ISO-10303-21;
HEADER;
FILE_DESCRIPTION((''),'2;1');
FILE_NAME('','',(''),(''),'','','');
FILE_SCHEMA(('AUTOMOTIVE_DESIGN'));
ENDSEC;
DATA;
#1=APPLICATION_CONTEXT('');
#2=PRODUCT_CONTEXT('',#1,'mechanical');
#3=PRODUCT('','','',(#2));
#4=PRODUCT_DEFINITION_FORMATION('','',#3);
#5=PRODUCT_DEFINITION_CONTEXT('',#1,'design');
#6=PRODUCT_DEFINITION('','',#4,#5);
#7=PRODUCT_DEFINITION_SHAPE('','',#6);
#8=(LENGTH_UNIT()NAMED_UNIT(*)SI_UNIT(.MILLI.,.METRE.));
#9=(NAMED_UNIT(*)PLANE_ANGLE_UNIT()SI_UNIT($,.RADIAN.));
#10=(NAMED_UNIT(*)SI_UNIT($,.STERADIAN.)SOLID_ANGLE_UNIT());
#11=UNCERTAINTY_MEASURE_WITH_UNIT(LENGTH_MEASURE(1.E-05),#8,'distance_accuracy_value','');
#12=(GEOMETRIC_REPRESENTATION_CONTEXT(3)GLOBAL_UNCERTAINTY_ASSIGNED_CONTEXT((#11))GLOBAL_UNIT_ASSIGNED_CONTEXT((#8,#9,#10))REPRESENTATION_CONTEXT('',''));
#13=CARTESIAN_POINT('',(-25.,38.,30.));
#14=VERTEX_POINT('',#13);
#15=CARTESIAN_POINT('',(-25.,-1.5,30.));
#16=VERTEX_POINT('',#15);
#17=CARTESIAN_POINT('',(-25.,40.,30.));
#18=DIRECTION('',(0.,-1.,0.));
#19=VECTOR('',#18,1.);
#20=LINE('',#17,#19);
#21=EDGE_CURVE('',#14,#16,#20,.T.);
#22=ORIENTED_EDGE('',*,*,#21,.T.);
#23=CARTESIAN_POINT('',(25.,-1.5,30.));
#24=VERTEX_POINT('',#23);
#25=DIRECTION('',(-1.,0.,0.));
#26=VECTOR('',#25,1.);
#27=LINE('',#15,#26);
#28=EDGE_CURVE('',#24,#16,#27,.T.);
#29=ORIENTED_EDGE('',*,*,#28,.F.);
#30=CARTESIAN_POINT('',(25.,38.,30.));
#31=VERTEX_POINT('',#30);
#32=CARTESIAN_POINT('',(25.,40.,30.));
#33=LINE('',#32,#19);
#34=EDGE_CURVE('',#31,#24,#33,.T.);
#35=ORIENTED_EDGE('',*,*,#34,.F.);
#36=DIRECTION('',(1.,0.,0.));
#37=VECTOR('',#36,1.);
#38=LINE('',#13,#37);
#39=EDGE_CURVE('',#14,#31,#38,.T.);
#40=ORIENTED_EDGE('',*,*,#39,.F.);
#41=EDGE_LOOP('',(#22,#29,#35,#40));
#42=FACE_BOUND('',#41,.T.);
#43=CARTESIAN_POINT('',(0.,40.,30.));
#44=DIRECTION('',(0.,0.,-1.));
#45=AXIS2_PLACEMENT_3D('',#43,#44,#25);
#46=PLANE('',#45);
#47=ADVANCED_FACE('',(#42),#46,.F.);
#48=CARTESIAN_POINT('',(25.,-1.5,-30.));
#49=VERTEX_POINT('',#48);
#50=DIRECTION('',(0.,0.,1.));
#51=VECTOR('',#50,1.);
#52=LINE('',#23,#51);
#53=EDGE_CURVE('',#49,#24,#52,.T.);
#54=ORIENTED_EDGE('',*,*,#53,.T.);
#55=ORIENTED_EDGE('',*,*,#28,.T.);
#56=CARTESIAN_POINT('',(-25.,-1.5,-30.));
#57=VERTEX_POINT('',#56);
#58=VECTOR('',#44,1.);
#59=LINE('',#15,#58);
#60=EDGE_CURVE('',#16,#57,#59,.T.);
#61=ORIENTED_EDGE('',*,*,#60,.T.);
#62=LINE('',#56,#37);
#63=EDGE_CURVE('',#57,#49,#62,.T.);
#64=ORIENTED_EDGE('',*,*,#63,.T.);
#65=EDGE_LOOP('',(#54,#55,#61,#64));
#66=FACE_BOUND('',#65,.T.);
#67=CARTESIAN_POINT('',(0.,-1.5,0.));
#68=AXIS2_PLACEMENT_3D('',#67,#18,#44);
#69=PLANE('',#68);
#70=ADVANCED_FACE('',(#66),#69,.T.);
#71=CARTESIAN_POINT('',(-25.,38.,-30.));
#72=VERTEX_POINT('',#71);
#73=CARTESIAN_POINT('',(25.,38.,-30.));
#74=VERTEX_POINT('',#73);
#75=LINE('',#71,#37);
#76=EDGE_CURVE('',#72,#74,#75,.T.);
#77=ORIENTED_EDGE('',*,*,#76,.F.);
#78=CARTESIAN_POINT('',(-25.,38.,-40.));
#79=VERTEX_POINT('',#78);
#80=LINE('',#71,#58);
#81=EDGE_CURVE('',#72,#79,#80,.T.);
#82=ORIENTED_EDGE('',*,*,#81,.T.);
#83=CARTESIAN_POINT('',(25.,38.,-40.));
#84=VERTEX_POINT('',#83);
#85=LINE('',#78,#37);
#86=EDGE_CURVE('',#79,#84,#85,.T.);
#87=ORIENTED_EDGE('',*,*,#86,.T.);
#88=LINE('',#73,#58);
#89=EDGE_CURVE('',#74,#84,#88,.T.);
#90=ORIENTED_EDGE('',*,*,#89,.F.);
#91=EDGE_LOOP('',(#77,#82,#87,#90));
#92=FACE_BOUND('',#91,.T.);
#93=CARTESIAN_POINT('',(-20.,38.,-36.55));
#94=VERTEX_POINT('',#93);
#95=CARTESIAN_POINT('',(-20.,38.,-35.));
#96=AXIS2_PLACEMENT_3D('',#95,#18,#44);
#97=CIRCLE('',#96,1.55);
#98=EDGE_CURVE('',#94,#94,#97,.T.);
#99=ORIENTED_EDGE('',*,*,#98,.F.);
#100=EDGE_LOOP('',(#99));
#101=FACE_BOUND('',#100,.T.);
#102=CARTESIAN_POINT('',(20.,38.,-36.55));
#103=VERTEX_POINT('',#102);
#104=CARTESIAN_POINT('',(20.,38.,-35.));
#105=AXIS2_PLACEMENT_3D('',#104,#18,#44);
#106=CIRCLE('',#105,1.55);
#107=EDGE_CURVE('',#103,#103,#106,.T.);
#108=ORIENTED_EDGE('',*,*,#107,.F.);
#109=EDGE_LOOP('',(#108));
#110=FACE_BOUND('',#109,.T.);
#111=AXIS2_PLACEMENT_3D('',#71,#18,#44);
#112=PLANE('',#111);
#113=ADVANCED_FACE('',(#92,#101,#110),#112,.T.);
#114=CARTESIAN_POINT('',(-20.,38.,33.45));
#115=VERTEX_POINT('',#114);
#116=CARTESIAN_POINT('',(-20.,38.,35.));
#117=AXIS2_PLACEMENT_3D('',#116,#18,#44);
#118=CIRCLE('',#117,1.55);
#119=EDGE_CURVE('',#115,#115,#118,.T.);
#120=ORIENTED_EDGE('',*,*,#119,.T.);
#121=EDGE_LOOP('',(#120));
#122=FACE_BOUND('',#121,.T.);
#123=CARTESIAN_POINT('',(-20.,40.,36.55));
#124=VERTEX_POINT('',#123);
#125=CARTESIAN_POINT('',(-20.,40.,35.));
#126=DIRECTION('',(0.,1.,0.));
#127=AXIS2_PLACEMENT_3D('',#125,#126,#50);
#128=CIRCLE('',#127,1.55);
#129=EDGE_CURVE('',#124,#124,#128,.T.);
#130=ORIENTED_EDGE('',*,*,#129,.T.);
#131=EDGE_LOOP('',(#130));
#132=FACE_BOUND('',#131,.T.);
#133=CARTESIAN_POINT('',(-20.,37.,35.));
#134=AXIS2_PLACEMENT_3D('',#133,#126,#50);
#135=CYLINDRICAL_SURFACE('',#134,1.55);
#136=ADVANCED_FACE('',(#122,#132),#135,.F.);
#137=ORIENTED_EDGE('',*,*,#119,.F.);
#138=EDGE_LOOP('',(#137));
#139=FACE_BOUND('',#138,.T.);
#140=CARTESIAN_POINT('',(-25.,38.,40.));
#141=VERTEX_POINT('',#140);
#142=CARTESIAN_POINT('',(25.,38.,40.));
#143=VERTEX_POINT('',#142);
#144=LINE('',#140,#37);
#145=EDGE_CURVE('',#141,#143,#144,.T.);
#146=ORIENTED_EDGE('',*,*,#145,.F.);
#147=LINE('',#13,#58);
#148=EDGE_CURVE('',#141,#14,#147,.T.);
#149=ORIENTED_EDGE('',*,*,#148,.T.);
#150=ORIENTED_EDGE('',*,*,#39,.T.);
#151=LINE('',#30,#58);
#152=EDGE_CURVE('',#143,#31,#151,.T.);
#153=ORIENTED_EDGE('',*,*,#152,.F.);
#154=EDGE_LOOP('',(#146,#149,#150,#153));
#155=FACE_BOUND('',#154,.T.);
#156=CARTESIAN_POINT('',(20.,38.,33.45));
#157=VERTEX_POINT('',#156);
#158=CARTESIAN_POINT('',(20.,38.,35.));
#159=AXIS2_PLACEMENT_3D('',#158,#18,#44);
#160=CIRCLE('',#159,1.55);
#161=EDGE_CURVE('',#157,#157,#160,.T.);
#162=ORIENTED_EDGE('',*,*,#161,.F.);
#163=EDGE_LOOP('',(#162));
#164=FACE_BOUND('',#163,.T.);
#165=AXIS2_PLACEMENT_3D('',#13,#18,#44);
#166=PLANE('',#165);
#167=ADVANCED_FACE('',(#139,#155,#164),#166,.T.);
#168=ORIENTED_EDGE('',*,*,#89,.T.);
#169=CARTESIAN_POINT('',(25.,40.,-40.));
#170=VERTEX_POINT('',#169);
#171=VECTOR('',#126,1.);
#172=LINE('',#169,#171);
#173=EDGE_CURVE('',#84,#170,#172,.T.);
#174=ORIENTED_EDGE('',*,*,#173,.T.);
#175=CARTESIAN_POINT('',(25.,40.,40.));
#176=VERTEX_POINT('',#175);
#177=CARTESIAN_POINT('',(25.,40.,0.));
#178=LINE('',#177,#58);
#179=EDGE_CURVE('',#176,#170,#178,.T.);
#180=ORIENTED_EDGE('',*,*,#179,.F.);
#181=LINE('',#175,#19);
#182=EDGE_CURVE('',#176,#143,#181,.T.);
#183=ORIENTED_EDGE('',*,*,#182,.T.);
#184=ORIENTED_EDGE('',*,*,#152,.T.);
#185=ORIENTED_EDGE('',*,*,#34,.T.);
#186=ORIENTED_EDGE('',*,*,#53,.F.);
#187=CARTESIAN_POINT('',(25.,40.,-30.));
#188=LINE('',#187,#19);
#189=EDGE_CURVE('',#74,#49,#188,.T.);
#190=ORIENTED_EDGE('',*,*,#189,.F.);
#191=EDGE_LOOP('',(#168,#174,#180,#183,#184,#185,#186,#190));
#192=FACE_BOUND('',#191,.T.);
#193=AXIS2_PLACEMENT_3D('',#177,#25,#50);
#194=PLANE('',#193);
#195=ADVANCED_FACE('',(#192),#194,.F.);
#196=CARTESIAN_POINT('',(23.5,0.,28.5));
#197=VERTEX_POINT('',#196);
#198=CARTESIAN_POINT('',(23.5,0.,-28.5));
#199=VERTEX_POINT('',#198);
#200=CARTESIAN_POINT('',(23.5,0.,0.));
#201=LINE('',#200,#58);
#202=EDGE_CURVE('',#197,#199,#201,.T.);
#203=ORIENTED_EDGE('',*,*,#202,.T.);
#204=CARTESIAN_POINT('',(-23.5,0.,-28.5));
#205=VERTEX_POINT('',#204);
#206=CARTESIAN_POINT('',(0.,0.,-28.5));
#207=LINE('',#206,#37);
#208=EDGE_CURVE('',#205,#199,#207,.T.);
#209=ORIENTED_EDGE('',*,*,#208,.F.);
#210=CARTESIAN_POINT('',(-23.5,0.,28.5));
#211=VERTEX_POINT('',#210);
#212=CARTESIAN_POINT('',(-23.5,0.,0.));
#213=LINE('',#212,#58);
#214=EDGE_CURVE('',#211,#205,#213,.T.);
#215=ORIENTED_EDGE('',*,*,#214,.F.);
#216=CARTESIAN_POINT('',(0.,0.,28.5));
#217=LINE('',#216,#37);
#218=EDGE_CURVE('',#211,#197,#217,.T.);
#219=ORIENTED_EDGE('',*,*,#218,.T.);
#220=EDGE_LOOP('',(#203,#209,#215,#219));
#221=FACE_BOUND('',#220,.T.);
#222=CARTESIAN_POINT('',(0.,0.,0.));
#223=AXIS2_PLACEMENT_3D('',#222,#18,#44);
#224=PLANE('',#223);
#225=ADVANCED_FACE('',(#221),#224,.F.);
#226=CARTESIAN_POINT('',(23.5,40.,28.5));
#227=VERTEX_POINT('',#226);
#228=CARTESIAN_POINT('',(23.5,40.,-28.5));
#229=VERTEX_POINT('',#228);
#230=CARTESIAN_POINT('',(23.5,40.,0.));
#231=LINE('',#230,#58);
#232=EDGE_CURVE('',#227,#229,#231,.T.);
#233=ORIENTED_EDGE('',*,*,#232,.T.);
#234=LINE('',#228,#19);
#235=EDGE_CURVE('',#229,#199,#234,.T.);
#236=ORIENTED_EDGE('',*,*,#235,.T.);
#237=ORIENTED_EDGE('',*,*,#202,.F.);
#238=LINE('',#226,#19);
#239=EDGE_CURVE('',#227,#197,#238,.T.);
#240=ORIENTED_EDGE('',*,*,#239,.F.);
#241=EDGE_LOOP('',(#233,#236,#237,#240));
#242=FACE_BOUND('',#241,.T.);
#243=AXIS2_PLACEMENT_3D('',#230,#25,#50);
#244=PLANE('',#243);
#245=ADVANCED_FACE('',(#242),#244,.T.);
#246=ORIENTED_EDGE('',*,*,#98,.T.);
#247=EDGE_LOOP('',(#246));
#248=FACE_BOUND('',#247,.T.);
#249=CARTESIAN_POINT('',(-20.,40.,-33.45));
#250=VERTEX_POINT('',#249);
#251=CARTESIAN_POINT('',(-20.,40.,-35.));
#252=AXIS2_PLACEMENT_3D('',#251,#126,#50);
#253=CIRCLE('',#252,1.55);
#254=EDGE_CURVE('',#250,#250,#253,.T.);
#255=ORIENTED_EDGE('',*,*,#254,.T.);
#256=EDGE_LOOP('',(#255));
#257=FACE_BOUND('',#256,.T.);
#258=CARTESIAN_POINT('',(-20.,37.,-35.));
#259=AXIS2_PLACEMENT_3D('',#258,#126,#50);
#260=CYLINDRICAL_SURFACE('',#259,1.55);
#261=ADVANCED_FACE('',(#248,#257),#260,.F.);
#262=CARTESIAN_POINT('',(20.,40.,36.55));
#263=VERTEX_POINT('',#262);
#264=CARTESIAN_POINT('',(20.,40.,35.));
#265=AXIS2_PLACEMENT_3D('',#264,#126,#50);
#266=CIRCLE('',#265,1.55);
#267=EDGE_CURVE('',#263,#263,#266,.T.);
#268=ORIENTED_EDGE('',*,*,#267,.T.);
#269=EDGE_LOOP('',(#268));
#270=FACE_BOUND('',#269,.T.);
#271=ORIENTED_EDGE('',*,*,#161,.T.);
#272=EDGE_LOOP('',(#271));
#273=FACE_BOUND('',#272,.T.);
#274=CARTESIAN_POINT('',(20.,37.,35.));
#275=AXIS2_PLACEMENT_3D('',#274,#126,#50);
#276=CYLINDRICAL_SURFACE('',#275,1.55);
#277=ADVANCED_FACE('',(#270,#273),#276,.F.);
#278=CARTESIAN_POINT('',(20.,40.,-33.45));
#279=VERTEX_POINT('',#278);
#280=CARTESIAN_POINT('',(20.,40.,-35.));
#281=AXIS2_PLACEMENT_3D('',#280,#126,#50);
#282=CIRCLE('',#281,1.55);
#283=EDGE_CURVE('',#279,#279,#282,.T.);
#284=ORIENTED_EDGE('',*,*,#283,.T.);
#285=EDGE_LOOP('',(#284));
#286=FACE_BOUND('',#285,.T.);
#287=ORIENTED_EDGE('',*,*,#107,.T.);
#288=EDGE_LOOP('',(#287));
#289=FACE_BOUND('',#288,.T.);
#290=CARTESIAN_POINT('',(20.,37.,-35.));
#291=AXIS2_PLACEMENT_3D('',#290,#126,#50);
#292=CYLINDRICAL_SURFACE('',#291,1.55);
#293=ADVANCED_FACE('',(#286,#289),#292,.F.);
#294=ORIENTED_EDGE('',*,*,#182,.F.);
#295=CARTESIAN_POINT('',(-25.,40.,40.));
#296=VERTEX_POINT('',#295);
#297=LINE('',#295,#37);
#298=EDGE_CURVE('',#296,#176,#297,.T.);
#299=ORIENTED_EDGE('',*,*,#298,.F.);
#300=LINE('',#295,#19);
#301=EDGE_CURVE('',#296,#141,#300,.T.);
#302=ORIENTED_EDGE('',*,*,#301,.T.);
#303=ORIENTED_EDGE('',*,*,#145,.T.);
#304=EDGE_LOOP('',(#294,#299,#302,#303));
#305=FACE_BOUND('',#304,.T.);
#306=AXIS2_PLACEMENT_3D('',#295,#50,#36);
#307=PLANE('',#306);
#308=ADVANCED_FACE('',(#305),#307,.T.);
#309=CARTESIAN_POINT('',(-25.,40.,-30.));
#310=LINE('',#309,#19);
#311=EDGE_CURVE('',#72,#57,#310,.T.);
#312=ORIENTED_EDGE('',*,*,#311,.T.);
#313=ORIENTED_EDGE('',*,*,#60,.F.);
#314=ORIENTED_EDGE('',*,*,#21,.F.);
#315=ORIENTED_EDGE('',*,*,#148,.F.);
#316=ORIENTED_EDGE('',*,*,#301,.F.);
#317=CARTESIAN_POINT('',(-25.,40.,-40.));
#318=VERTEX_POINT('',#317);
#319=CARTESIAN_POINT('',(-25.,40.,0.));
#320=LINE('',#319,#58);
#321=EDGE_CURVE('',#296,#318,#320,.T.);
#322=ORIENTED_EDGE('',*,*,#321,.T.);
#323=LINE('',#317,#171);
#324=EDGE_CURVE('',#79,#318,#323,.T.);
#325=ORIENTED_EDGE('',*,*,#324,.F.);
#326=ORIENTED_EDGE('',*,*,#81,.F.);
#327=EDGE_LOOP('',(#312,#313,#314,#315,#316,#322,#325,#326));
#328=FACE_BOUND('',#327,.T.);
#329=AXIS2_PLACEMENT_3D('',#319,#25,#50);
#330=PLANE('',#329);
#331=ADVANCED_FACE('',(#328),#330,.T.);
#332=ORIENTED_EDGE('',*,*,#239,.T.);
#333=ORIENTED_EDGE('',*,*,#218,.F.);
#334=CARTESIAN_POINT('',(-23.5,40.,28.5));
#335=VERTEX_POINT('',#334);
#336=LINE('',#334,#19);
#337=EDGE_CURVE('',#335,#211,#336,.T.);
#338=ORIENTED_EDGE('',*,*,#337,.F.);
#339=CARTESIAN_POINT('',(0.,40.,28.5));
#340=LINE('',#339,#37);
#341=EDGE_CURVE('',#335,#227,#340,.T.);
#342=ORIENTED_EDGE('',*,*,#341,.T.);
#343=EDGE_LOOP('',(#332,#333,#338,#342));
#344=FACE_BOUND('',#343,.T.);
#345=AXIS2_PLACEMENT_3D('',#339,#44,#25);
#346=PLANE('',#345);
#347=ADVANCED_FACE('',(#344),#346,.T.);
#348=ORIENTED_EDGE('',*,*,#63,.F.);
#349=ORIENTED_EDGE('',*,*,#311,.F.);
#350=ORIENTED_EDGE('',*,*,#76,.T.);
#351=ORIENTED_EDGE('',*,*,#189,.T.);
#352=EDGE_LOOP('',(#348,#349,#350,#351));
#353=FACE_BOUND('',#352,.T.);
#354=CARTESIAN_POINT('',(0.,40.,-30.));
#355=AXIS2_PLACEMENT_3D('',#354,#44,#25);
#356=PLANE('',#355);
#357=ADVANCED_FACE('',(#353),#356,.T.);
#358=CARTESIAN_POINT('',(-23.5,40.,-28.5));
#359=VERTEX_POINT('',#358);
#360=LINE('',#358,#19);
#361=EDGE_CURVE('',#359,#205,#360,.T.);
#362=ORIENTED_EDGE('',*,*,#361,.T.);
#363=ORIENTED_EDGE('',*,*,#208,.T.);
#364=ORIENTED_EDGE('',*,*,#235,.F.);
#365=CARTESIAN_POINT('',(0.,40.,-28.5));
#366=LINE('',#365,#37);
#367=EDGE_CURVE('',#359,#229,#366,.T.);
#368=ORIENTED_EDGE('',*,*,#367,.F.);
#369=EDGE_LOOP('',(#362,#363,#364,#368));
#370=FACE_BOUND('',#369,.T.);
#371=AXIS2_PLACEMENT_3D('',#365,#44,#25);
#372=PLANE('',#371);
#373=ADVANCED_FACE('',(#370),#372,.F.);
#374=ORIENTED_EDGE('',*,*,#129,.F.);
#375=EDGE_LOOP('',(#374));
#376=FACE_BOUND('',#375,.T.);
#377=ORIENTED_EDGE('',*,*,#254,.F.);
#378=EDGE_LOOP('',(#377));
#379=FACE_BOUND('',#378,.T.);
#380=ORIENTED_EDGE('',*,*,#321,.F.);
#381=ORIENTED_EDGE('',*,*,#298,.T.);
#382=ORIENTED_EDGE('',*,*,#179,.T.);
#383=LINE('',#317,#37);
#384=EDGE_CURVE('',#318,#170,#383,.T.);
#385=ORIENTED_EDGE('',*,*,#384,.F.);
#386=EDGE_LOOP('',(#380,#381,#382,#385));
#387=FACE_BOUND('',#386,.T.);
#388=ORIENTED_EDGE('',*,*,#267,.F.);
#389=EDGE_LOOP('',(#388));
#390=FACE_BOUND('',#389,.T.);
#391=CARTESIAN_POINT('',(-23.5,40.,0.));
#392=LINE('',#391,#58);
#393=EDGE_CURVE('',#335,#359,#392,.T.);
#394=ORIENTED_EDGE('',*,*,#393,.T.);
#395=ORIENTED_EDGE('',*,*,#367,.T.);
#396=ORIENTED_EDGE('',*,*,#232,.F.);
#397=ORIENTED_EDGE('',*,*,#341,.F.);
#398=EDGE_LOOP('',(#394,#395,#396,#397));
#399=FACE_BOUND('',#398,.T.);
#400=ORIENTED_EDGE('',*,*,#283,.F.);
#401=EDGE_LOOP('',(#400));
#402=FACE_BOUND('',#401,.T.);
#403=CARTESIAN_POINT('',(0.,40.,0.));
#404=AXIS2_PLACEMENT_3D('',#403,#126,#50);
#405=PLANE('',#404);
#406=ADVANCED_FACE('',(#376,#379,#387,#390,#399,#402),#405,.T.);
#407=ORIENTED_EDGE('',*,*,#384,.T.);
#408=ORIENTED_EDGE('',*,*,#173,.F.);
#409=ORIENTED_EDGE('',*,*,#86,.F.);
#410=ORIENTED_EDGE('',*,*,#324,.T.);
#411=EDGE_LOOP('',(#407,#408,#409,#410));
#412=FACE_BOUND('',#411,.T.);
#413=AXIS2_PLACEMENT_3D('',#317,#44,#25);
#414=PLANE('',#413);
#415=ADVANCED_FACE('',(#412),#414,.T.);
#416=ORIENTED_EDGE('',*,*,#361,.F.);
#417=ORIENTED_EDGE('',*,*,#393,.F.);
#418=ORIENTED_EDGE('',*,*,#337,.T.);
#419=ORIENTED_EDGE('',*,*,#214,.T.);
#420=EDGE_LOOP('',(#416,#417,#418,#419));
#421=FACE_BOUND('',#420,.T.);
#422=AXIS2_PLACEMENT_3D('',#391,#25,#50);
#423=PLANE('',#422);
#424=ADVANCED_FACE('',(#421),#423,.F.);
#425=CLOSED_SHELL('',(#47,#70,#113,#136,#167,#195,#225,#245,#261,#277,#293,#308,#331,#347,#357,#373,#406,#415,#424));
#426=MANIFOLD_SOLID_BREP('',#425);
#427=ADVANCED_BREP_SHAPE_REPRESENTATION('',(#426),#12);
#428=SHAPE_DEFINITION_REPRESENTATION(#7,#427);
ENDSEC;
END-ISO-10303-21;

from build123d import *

# Parameters (mm, degrees)
SKETCH1_W           = 50
SKETCH1_H           = 60
SKETCH1_W_2         = 47
SKETCH1_H_2         = 57
BOSS_EXTRUDE6_DEPTH = 40
SKETCH7_W           = 50
SKETCH7_H           = 60
BOSS_EXTRUDE8_DEPTH = 1.5
SKETCH8_W           = 10
SKETCH8_H           = 2
BOSS_EXTRUDE9_DEPTH = 50
SKETCH9_R           = 1.55
CUT_EXTRUDE1_DEPTH  = 3


with BuildPart() as part:
    # Sketch1 → Boss-Extrude6 (new body)
    with BuildSketch(Plane(origin=(0, 0, 0), x_dir=(1, 0, 0), z_dir=(0, 1, 0))):
        Rectangle(SKETCH1_W, SKETCH1_H)
        Rectangle(SKETCH1_W_2, SKETCH1_H_2, mode=Mode.SUBTRACT)
    extrude(amount=BOSS_EXTRUDE6_DEPTH)

    # Sketch7 → Boss-Extrude8 (add)
    with BuildSketch(Plane.XZ):
        Rectangle(SKETCH7_W, SKETCH7_H)
    extrude(amount=BOSS_EXTRUDE8_DEPTH)

    # Sketch8 → Boss-Extrude9 (add)
    with BuildSketch(Plane(origin=(25, 0, 0), x_dir=(0, 0, -1), z_dir=(1, 0, 0))):
        with Locations((-35, 39)):
            Rectangle(SKETCH8_W, SKETCH8_H)
        with Locations((35, 39)):
            Rectangle(SKETCH8_W, SKETCH8_H)
    extrude(amount=-BOSS_EXTRUDE9_DEPTH)

    # Sketch9 → Cut-Extrude1 (cut)
    with BuildSketch(Plane(origin=(0, 40, 0), x_dir=(1, 0, 0), z_dir=(0, 1, 0))):
        with Locations(Location((-20, 35, 0), (0, 0, 270))):
            Circle(SKETCH9_R)
        with Locations(Location((20, 35, 0), (0, 0, 270))):
            Circle(SKETCH9_R)
        with Locations(Location((20, -35, 0), (0, 0, 270))):
            Circle(SKETCH9_R)
        with Locations(Location((-20, -35, 0), (0, 0, 270))):
            Circle(SKETCH9_R)
    extrude(amount=-CUT_EXTRUDE1_DEPTH, mode=Mode.SUBTRACT)


solid = part.part
